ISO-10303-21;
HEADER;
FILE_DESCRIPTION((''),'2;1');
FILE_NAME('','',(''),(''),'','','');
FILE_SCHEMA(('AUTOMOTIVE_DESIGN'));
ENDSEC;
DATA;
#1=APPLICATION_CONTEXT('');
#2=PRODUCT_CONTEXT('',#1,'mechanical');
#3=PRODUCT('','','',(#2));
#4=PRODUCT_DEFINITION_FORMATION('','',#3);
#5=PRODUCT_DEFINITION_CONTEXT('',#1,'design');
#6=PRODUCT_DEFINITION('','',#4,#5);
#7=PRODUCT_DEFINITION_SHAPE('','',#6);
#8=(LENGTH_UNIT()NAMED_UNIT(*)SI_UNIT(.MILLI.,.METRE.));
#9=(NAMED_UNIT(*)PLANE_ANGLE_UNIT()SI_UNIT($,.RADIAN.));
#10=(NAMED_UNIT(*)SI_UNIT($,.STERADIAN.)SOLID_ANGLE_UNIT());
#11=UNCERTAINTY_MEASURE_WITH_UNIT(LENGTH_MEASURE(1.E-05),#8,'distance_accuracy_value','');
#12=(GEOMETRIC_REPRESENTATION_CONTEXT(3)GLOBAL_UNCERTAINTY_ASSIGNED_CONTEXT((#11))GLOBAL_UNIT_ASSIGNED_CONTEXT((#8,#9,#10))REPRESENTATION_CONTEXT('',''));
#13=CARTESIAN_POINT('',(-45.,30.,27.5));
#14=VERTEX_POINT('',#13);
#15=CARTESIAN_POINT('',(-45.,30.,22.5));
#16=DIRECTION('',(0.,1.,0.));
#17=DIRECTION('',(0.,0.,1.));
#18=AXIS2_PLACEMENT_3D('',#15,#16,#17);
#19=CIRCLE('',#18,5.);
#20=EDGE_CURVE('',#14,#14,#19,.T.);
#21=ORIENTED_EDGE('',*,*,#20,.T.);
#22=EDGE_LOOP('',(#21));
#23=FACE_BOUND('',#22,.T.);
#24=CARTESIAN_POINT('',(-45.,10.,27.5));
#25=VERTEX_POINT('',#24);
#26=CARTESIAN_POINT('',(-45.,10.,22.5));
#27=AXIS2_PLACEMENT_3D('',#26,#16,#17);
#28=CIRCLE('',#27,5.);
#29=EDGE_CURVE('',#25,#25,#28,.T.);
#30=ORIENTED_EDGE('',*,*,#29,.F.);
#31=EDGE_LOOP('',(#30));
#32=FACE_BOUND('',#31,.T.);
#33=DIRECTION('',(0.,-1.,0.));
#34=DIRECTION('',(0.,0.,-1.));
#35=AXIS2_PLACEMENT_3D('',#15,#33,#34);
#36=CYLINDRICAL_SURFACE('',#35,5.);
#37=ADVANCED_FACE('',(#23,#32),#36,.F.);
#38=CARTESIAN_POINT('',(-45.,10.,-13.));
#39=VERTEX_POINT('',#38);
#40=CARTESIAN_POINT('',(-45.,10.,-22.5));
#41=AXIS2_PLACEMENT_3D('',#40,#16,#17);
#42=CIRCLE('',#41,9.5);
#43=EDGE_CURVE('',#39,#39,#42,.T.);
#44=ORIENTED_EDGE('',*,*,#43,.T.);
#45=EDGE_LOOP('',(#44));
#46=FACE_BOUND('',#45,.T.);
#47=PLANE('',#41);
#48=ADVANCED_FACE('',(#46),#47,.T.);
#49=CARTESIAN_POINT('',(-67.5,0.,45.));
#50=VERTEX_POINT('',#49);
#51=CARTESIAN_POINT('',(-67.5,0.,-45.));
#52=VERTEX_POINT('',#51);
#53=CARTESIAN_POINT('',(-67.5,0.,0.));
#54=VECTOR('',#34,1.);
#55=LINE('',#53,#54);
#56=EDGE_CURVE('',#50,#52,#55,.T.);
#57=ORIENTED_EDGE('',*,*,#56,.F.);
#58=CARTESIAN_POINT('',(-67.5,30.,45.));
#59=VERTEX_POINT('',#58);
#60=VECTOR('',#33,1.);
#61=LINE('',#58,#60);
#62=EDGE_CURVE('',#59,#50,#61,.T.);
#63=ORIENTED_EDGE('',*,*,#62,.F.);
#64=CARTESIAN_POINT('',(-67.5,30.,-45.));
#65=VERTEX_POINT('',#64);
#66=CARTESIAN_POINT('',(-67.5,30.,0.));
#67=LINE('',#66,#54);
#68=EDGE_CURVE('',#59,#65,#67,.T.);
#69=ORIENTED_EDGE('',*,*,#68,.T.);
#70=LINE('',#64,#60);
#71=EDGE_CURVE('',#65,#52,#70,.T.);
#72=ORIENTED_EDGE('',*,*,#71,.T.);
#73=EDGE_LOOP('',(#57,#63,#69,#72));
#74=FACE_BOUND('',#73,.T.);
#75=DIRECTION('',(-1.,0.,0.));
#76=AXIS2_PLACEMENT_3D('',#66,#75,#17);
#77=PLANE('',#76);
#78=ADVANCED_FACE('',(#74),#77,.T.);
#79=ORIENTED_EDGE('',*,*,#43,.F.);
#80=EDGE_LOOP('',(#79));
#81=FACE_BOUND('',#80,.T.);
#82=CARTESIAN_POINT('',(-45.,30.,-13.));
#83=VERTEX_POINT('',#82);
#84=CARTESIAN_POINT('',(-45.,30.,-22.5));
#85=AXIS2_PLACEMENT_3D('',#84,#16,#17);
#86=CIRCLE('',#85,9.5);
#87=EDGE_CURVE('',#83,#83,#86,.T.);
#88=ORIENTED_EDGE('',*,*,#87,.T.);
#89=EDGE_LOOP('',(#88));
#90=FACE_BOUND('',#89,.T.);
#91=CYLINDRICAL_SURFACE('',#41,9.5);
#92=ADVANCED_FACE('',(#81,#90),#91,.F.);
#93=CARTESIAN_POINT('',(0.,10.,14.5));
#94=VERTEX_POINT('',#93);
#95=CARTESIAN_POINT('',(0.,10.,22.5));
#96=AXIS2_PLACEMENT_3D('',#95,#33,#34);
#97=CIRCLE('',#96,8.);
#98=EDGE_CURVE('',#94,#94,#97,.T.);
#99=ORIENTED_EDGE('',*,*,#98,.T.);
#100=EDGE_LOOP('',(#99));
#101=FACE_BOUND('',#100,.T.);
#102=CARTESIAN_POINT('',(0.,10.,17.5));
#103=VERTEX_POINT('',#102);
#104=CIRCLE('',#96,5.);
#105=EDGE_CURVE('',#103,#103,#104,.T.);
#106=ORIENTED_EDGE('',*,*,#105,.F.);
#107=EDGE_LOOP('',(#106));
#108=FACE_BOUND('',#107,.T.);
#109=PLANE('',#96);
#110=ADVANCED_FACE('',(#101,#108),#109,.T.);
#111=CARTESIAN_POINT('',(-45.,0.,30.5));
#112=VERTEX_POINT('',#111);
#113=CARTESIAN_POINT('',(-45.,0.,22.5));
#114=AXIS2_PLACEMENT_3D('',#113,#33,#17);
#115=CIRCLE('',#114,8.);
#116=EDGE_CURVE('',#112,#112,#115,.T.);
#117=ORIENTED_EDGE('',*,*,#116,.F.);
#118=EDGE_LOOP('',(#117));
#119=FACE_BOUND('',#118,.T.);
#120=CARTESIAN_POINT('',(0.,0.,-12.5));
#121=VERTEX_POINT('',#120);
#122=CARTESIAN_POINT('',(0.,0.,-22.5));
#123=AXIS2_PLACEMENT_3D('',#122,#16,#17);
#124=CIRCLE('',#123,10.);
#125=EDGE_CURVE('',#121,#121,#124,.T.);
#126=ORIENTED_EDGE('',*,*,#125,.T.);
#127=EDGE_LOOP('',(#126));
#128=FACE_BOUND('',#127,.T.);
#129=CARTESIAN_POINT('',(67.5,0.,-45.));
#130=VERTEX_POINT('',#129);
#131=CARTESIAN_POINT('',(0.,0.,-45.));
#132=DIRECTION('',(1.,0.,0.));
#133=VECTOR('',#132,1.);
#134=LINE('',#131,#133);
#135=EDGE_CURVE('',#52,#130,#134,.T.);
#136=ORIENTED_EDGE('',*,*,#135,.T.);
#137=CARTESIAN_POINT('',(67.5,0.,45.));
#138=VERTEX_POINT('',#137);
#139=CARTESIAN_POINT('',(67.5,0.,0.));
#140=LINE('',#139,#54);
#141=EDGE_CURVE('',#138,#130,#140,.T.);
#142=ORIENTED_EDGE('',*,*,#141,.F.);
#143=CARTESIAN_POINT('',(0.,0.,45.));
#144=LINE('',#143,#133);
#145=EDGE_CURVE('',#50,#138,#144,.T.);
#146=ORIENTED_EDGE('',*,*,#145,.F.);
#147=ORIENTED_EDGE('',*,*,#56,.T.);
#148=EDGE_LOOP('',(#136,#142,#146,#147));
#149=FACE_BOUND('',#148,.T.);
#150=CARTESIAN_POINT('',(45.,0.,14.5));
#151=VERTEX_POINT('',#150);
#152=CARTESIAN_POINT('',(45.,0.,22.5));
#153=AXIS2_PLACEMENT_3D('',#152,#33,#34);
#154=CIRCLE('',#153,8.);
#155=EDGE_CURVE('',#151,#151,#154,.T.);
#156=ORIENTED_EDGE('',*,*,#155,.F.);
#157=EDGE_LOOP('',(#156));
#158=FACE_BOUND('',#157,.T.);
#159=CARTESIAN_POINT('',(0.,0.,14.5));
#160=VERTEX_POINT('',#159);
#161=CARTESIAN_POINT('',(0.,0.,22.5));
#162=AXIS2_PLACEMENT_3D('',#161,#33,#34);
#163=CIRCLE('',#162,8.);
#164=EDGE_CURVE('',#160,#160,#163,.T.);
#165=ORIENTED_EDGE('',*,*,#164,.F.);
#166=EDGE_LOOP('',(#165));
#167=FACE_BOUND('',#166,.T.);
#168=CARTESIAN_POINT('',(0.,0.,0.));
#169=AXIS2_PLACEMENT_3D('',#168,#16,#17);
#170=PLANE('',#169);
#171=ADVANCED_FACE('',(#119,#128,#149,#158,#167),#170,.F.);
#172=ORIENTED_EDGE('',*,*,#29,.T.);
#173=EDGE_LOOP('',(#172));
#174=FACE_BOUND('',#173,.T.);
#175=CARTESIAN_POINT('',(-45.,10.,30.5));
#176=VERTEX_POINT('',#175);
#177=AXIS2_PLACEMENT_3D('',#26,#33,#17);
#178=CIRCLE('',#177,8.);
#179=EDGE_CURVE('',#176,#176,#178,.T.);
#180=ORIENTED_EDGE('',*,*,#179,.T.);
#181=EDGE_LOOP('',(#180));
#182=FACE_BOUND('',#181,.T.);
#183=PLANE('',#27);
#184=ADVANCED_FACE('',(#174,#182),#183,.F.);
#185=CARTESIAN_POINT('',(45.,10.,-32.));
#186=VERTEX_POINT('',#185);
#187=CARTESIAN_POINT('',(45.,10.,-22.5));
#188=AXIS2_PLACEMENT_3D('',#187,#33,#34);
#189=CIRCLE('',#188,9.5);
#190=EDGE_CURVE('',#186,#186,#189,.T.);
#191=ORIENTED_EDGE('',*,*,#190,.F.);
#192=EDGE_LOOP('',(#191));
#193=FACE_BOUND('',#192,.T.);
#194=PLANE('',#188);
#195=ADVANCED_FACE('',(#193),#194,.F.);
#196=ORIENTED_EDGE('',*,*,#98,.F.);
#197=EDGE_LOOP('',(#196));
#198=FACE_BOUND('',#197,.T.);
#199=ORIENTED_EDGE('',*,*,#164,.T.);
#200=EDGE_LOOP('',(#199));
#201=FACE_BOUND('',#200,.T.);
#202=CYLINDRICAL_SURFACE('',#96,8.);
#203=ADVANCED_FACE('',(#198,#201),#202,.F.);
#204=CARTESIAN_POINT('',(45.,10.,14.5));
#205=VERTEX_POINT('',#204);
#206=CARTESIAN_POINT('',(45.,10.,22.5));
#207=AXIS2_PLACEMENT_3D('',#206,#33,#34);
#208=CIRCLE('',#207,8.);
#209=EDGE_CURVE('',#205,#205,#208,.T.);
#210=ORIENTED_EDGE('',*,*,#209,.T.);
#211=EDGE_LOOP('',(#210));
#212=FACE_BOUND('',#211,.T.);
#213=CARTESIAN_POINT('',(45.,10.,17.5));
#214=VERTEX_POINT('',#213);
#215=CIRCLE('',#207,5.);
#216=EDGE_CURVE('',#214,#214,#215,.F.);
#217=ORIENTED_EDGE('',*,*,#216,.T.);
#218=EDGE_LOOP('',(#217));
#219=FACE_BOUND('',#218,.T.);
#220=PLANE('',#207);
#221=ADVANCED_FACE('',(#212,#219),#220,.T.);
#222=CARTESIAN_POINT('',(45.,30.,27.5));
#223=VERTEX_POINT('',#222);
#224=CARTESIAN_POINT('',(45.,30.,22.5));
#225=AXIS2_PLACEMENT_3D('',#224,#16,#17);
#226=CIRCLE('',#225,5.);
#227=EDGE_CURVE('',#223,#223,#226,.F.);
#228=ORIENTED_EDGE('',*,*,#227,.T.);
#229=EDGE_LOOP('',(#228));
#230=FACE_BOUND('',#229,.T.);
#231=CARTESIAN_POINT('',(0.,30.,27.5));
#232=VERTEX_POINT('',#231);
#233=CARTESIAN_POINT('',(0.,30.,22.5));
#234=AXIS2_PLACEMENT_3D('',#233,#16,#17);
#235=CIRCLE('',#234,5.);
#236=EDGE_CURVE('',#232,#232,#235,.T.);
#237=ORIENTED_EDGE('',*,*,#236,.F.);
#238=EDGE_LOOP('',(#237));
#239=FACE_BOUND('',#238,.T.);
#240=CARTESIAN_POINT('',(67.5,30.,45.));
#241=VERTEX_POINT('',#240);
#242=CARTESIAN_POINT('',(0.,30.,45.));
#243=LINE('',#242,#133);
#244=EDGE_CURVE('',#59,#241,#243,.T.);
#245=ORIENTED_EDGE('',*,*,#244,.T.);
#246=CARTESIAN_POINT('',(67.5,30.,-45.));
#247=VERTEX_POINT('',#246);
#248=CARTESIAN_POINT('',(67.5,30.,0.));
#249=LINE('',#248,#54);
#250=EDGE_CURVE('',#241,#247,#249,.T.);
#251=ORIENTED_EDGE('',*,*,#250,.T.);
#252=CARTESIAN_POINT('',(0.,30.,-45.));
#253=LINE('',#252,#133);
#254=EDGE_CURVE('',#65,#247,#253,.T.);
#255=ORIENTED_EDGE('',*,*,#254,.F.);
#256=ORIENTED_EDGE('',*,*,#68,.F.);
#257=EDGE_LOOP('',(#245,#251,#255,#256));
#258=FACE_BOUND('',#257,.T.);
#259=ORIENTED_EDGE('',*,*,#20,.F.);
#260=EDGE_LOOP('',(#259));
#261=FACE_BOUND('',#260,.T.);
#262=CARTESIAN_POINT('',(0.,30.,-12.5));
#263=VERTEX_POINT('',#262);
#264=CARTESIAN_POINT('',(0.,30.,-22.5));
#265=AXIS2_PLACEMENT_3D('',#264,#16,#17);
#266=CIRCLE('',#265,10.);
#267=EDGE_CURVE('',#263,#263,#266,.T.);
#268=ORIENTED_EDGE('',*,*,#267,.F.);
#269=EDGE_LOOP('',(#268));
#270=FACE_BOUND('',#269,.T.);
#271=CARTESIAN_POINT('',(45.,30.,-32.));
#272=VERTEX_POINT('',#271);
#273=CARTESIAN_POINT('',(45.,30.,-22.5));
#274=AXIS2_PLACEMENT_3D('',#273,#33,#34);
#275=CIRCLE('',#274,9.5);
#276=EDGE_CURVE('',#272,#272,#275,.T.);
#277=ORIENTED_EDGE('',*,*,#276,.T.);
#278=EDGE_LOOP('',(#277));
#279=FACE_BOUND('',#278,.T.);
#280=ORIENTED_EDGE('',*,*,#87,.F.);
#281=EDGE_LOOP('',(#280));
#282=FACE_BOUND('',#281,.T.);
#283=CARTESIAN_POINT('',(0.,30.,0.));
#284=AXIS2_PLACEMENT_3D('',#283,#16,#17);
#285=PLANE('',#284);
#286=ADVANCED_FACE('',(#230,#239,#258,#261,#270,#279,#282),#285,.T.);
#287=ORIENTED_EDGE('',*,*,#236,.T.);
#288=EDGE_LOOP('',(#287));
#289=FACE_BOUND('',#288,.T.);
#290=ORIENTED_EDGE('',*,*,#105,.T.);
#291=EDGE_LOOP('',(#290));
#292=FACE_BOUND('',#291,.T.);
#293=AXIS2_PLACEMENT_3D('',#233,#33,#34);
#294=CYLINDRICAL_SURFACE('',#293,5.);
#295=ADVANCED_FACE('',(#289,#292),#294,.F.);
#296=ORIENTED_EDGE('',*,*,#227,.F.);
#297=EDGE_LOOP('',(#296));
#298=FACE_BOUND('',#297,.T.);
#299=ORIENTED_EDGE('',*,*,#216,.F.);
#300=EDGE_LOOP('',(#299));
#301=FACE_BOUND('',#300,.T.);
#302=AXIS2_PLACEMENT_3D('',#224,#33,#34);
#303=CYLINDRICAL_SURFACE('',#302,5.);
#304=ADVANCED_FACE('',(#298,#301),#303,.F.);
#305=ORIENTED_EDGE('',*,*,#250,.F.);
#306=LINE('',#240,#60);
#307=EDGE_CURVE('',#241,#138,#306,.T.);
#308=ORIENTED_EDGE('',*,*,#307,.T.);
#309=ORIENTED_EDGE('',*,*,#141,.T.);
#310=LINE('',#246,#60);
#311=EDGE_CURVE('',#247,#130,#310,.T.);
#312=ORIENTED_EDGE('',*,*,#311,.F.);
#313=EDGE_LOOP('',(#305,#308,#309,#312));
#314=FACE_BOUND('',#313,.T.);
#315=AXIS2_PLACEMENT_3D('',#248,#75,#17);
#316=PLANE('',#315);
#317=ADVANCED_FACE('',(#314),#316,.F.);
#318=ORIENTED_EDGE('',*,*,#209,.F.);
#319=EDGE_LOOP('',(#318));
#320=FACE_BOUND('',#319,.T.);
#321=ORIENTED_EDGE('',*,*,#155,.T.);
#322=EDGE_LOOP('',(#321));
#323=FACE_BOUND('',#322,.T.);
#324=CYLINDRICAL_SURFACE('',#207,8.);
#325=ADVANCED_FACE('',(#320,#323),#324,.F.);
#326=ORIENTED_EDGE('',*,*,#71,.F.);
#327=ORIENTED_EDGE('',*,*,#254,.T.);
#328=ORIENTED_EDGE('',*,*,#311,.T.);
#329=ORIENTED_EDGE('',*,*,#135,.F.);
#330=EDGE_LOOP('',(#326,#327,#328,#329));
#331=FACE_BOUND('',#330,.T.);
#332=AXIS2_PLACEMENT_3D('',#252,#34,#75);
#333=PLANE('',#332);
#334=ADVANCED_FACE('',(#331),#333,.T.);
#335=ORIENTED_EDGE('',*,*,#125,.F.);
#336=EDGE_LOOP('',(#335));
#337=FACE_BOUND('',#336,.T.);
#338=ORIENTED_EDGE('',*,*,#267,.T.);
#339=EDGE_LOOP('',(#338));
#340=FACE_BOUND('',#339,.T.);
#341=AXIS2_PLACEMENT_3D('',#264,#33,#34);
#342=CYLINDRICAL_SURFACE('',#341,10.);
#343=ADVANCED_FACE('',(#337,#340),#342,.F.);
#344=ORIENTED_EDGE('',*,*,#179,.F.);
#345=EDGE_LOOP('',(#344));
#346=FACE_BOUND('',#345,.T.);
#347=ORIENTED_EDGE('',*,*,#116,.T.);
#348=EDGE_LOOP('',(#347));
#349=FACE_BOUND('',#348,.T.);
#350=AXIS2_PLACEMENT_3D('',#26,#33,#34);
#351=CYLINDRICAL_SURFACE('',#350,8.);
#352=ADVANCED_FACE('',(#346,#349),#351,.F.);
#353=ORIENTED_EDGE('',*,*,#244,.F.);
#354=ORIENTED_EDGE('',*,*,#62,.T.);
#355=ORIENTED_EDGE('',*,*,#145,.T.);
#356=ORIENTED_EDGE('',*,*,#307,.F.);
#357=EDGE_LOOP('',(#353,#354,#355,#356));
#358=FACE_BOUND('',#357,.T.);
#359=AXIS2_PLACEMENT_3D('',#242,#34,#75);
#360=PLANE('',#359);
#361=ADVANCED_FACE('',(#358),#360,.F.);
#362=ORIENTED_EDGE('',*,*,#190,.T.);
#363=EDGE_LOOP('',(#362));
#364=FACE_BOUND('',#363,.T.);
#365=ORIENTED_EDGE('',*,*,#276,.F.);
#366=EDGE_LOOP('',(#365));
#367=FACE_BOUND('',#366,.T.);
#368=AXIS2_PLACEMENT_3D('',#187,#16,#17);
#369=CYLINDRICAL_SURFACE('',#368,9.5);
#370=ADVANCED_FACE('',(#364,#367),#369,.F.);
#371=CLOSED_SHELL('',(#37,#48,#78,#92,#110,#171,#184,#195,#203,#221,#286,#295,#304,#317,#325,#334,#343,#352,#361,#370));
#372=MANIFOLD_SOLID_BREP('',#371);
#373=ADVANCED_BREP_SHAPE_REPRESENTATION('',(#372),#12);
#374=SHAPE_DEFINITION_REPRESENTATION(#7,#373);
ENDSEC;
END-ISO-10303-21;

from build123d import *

# Parameters (mm, degrees)
SKETCH1_W           = 135
SKETCH1_H           = 90
SKETCH1_R           = 10
SKETCH1_R_2         = 5
BOSS_EXTRUDE2_DEPTH = 30
SKETCH2_R           = 9.5
CUT_EXTRUDE2_DEPTH  = 20
SKETCH3_R           = 8
CUT_EXTRUDE3_DEPTH  = 10


with BuildPart() as part:
    # Sketch1 → Boss-Extrude2 (new body)
    with BuildSketch(Plane(origin=(0, 0, 0), x_dir=(1, 0, 0), z_dir=(0, 1, 0))):
        Rectangle(SKETCH1_W, SKETCH1_H)
        with Locations(Location((0, 22.5, 0), (0, 0, 270))):
            Circle(SKETCH1_R, mode=Mode.SUBTRACT)
        with Locations(Location((0, -22.5, 0), (0, 0, 270))):
            Circle(SKETCH1_R_2, mode=Mode.SUBTRACT)
        with Locations(Location((-45, -22.5, 0), (0, 0, 270))):
            Circle(SKETCH1_R_2, mode=Mode.SUBTRACT)
        with Locations(Location((45, -22.5, 0), (0, 0, 270))):
            Circle(SKETCH1_R_2, mode=Mode.SUBTRACT)
    extrude(amount=BOSS_EXTRUDE2_DEPTH)

    # Sketch2 → Cut-Extrude2 (cut)
    with BuildSketch(Plane(origin=(0, 30, 0), x_dir=(1, 0, 0), z_dir=(0, 1, 0))):
        with Locations(Location((-45, 22.5, 0), (0, 0, 270))):
            Circle(SKETCH2_R)
        with Locations(Location((45, 22.5, 0), (0, 0, 90))):
            Circle(SKETCH2_R)
    extrude(amount=-CUT_EXTRUDE2_DEPTH, mode=Mode.SUBTRACT)

    # Sketch3 → Cut-Extrude3 (cut)
    with BuildSketch(Plane.XZ):
        with Locations(Location((45, 22.5, 0), (0, 0, 270))):
            Circle(SKETCH3_R)
        with Locations(Location((0, 22.5, 0), (0, 0, 270))):
            Circle(SKETCH3_R)
        with Locations(Location((-45, 22.5, 0), (0, 0, 90))):
            Circle(SKETCH3_R)
    extrude(amount=-CUT_EXTRUDE3_DEPTH, mode=Mode.SUBTRACT)


solid = part.part
